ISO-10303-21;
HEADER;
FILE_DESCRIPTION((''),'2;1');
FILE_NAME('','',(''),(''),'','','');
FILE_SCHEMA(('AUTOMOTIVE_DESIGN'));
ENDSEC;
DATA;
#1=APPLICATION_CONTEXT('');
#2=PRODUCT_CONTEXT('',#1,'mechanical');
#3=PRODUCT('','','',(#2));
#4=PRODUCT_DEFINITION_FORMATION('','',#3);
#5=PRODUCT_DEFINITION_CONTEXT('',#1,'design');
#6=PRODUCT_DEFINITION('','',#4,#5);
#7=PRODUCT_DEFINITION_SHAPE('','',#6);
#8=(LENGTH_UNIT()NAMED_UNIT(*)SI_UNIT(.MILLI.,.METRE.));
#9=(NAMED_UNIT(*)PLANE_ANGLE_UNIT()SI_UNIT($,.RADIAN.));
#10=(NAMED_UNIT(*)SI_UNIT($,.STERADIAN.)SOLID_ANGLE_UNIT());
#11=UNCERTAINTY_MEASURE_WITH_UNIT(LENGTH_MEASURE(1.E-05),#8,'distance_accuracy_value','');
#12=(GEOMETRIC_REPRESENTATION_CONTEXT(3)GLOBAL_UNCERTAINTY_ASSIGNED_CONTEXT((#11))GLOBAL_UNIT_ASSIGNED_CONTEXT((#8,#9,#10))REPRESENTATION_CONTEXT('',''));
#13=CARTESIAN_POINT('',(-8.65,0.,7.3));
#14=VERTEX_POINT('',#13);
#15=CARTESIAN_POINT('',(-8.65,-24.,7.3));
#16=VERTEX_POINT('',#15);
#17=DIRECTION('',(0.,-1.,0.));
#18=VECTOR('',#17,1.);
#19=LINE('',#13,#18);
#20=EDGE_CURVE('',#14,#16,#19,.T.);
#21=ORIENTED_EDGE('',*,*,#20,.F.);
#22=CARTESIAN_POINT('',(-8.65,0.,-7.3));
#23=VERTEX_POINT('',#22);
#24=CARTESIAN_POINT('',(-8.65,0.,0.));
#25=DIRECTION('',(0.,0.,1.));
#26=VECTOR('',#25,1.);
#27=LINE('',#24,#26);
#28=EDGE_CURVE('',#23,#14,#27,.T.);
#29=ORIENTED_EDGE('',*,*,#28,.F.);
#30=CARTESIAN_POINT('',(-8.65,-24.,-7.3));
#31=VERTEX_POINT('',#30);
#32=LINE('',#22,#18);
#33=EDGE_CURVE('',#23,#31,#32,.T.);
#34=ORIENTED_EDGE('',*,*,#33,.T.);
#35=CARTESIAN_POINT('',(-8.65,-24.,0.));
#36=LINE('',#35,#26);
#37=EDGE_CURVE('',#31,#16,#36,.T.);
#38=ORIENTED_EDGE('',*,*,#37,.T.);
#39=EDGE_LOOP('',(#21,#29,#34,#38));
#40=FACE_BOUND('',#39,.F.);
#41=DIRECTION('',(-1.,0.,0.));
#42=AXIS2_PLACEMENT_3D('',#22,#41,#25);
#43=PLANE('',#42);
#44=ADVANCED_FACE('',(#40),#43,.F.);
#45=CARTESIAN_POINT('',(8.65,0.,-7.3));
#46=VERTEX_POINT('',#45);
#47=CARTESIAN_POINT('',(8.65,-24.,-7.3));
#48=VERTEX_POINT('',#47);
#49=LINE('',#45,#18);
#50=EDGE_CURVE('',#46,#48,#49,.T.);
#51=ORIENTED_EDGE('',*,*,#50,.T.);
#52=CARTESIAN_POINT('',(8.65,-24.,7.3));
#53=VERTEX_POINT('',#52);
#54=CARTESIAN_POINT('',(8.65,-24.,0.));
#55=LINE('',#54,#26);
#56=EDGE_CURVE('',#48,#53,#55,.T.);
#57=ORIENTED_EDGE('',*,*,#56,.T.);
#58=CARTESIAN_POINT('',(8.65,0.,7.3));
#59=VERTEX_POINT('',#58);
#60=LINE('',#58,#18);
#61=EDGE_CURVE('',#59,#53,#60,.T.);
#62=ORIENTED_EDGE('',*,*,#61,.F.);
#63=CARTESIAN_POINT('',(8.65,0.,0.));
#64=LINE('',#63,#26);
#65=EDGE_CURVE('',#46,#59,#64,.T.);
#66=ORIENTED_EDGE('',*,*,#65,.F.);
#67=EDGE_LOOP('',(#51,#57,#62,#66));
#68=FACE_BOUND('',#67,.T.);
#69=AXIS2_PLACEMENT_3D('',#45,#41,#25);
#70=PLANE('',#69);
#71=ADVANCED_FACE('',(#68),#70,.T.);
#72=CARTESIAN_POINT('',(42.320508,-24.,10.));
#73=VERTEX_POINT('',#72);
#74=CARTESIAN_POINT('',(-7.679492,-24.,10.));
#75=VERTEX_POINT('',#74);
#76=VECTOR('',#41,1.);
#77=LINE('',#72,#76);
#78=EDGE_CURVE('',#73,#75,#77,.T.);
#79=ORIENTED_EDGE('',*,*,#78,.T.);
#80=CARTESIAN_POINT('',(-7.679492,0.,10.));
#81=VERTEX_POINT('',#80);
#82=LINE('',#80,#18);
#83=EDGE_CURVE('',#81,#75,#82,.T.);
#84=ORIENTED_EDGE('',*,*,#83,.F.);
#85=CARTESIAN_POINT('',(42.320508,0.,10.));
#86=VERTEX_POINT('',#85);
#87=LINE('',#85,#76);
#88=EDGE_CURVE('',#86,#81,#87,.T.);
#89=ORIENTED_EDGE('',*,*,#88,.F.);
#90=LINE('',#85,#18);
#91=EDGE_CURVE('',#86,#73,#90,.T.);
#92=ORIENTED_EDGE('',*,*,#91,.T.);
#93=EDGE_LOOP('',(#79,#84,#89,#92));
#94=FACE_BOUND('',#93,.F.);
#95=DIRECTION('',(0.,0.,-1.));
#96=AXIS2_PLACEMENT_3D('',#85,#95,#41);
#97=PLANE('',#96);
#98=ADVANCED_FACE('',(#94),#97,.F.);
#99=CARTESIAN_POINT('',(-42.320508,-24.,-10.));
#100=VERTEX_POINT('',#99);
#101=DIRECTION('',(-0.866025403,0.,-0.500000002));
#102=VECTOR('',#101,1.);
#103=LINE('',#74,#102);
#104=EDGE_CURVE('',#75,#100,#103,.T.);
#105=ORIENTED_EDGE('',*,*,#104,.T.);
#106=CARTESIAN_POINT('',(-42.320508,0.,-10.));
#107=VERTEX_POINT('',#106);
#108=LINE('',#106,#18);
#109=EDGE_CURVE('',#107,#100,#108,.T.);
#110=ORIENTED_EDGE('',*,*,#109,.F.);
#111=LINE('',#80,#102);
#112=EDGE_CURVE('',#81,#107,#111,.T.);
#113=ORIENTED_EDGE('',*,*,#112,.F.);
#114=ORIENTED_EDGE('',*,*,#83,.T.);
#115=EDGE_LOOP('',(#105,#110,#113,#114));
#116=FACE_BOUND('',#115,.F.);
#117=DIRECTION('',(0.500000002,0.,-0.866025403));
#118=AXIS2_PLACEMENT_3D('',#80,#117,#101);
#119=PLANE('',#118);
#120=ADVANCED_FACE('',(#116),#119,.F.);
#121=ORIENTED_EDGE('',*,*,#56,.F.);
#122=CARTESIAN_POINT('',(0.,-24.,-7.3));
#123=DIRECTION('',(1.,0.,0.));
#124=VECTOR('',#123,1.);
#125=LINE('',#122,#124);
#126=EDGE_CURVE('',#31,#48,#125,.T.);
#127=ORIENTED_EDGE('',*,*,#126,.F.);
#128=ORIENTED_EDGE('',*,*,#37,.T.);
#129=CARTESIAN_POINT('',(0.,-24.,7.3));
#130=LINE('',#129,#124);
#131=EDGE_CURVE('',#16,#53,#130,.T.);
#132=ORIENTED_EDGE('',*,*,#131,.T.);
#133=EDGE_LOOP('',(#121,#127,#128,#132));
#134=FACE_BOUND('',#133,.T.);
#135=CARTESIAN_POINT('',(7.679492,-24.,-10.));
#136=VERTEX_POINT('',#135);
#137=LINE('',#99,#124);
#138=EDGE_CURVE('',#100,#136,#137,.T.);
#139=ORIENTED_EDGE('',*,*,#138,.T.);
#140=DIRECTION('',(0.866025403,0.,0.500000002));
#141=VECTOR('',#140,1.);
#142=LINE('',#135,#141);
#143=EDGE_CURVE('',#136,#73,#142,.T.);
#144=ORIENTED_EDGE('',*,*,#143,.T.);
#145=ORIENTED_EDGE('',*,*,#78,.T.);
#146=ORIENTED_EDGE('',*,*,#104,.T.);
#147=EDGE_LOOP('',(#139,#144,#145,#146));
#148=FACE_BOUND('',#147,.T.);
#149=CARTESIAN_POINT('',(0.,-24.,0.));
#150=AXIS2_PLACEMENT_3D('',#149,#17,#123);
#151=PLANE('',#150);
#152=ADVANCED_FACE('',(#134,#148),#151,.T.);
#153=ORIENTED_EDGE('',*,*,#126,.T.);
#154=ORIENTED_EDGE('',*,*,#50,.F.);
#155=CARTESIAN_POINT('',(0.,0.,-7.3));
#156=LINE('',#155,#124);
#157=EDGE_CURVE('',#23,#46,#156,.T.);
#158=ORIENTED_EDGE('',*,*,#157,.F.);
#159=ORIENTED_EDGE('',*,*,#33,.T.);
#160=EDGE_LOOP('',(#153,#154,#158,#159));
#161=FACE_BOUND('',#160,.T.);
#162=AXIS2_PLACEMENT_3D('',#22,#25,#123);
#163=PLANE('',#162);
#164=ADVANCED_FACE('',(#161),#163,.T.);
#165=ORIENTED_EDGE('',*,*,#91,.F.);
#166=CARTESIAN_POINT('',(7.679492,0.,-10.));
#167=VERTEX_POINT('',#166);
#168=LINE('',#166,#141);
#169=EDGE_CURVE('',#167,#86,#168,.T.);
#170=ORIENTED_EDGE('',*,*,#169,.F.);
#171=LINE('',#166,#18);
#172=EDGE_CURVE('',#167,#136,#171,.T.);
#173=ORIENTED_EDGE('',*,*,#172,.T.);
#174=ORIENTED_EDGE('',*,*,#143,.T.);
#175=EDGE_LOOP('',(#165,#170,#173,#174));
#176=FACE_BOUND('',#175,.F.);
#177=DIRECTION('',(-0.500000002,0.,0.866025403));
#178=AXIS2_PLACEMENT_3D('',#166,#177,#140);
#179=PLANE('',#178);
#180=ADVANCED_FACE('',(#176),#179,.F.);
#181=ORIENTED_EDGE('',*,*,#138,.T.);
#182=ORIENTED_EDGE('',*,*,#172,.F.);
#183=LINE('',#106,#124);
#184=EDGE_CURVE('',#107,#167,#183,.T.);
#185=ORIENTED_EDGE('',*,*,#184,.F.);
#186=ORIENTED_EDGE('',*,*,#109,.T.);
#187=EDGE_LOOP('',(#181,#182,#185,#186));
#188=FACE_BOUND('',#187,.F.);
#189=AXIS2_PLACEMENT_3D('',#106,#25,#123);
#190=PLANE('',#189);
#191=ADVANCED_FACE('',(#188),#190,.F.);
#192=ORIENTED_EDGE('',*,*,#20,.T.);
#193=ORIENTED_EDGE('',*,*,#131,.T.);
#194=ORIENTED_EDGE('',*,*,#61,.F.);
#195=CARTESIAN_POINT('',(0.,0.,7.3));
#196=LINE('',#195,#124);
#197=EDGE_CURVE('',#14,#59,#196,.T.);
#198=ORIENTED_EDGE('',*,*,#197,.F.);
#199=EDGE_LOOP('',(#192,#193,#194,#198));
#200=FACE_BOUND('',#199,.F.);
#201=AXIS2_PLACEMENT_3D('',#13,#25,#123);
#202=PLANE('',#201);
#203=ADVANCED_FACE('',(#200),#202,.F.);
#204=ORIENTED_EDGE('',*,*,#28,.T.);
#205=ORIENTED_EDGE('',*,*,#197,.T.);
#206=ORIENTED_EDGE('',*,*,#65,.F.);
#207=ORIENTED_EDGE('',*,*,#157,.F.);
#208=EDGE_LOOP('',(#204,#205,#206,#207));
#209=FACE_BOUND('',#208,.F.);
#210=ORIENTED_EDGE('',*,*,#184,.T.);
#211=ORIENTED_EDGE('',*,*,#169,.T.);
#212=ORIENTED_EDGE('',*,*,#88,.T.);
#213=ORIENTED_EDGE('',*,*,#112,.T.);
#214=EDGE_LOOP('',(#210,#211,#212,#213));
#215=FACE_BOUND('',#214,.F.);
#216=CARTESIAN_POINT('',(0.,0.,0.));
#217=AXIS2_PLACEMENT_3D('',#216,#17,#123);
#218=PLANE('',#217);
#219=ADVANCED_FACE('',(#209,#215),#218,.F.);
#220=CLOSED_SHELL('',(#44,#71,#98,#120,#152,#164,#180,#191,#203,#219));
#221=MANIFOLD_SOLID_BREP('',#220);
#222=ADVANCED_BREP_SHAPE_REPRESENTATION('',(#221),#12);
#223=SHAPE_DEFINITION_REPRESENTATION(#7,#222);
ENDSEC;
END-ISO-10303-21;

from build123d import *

# Parameters (mm, degrees)
F0_W     = 17.3
F0_H     = 14.6
F1_DEPTH = 24


with BuildPart() as f1:
    # F0 (on Front) → F1 (new body)
    with BuildSketch(Plane.XZ):
        Polygon((42.320508, 10), (-7.679492, 10), (-42.320508, -10), (7.679492, -10), align=None)
        Rectangle(F0_W, F0_H, mode=Mode.SUBTRACT)
    extrude(amount=F1_DEPTH)


solid = f1.part
